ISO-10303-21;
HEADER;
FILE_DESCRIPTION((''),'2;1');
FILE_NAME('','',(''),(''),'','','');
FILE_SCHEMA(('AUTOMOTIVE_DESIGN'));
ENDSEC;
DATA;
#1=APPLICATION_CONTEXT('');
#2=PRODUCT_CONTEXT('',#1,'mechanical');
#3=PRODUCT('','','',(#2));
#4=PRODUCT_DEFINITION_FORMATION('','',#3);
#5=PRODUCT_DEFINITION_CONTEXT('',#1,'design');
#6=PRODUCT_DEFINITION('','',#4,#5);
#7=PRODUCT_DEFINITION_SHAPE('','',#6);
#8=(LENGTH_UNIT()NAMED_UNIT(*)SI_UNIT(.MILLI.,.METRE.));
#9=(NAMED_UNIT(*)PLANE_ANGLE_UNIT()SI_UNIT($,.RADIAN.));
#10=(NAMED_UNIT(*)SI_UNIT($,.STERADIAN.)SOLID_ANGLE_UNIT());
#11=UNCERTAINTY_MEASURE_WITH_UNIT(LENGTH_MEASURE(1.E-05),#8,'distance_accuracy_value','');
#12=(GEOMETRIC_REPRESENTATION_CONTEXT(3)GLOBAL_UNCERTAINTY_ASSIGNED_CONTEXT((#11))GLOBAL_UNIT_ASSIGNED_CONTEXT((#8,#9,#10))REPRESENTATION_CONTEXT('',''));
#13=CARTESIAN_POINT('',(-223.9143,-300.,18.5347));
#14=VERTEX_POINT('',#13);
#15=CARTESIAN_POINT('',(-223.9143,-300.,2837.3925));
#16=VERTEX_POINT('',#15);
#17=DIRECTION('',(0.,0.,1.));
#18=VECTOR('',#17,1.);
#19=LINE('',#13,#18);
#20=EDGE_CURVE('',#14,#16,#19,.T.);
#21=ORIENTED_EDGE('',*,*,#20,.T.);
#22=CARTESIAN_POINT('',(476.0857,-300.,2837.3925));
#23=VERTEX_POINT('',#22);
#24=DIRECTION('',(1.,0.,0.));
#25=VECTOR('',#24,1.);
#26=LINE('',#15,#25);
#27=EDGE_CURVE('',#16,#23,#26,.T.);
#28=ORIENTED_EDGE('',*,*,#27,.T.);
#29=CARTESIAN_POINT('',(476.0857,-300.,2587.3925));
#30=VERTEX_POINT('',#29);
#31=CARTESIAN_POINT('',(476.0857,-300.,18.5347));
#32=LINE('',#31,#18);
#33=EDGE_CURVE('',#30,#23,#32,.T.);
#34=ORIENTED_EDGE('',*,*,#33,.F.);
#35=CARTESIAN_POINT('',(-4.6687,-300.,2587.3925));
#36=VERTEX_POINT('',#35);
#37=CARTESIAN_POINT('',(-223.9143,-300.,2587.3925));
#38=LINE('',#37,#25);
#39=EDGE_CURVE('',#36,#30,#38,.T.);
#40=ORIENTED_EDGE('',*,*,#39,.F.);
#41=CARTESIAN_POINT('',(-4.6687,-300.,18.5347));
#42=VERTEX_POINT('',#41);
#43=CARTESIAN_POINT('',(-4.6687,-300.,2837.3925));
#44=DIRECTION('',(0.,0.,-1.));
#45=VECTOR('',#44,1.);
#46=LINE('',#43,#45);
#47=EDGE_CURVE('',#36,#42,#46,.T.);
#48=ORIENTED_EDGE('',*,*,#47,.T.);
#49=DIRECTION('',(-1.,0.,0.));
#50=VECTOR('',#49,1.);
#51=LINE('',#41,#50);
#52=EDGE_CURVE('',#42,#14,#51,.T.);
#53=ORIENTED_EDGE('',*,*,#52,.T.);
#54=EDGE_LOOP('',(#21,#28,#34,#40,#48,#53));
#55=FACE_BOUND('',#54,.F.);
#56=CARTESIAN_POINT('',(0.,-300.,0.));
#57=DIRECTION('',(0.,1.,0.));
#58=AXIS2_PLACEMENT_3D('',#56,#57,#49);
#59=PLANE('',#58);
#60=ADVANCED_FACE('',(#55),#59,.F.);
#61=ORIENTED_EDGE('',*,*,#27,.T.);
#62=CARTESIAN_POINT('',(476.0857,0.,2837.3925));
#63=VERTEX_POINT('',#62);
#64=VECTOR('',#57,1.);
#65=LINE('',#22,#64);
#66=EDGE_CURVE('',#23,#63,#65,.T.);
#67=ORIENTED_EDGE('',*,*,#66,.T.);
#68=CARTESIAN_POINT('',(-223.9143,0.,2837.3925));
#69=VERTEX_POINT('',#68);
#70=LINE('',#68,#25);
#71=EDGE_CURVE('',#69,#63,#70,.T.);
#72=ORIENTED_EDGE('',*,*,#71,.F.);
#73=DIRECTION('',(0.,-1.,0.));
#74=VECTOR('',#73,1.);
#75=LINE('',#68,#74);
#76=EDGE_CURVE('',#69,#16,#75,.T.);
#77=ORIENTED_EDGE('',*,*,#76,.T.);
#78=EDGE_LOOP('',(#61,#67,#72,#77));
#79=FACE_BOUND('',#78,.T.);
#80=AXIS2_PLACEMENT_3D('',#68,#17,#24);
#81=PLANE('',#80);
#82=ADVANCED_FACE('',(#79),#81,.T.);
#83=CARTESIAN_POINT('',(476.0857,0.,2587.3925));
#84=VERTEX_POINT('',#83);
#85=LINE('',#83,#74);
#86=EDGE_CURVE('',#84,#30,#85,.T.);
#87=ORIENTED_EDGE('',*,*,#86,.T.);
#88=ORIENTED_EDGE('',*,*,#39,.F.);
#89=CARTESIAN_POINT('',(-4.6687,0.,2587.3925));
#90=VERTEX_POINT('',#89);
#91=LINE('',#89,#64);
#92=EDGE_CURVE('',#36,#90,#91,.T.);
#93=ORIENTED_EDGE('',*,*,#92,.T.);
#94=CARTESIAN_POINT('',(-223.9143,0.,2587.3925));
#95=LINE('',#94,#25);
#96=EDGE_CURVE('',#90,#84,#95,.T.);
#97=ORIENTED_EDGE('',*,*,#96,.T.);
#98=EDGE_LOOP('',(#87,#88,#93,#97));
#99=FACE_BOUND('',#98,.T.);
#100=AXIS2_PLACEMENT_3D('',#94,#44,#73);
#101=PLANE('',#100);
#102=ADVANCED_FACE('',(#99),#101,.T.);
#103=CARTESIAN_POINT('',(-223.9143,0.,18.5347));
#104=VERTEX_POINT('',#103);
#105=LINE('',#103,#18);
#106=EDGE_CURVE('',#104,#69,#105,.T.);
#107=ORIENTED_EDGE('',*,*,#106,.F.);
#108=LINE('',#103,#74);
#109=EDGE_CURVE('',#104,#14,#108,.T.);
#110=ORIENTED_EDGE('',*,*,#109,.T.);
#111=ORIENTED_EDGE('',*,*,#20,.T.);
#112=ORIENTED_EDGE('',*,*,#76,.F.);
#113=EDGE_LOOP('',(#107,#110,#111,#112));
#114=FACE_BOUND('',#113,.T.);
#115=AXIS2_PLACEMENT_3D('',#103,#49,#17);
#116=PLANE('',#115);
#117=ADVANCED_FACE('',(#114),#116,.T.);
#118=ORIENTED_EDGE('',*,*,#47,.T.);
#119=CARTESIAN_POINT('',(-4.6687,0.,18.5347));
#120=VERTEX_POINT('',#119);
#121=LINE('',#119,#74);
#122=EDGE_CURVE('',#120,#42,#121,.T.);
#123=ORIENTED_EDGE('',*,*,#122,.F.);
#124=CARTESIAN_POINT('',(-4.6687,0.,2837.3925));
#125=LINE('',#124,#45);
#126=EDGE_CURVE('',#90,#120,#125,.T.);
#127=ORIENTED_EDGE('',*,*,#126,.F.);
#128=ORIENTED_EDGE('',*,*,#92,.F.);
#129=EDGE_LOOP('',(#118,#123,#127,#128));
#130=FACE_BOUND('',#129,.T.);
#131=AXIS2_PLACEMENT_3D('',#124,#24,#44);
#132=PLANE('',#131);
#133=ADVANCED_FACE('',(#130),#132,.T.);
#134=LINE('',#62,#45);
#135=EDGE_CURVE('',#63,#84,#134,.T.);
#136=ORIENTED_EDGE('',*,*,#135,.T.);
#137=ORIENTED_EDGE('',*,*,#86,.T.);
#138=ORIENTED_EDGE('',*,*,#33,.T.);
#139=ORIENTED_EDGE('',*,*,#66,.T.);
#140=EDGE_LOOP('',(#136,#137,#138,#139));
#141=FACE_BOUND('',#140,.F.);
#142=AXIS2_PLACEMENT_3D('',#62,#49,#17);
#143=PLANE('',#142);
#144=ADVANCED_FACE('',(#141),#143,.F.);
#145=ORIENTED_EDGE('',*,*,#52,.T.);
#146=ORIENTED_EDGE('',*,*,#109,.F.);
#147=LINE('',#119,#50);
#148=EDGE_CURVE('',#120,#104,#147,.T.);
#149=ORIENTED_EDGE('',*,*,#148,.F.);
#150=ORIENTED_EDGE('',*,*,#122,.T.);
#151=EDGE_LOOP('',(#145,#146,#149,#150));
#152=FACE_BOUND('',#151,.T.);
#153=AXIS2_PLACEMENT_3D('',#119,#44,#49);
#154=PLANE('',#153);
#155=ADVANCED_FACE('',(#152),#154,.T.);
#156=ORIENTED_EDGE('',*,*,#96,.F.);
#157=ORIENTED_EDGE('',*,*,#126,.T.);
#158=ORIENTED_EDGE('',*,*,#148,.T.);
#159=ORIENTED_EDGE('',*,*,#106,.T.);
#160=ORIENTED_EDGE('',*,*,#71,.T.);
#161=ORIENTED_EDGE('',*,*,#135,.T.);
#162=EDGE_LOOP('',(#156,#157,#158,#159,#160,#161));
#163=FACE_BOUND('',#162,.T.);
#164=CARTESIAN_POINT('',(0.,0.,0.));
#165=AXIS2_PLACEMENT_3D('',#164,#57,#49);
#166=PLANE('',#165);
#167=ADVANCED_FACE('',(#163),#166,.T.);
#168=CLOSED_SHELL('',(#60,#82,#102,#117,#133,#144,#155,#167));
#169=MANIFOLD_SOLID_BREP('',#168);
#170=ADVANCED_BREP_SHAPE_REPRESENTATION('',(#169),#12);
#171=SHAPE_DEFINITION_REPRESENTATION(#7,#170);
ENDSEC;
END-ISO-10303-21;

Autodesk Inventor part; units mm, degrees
ref_plane "YZ Plane" through (0, 0, 0) normal (1, 0, 0) x (0, 1, 0)
ref_plane "XZ Plane" through (0, 0, 0) normal (0, 1, 0) x (-1, 0, 0)
ref_plane "XY Plane" through (0, 0, 0) normal (0, 0, 1) x (1, 0, 0)
sketch "Sketch1" plane through (0, 0, 0) normal (0, 1, 0) x (-1, 0, 0)
  line L0 (4.6687, 18.5347) -> (223.9143, 18.5347)
  line L1 (223.9143, 18.5347) -> (223.9143, 2837.3925)
  line L2 (223.9143, 2837.3925) -> (4.6687, 2837.3925)
  line L3 (4.6687, 2837.3925) -> (4.6687, 18.5347)
  point P0 (0, 0)
extrude "Extrusion1" add sketch "Sketch1" against normal blind 300
sketch "Sketch2" plane through (-223.9143, 0, 18.5347) normal (-1, 0, 0) x (0, 0, -1)
  line L0 (-2818.8578, 0) -> (0, 0) projected
  line L1 (0, 300) -> (-2818.8578, 300) projected
  line L2 (0, 0) -> (250, 0)
  line L3 (250, 0) -> (250, 300)
  line L4 (250, 300) -> (0, 300)
  line L5 (0, 300) -> (0, 0)
  point P0 (18.5347, 0)
  point P1 (0, 300)
  dimension "d2" = 250
extrude "Extrusion2" [suppressed]
sketch "Sketch3" plane through (-223.9143, 0, 2837.3925) normal (-1, 0, 0) x (0, 0, 1)
  line L0 (0, 0) -> (-2818.8578, 0) projected
  line L1 (-2818.8578, -300) -> (0, -300) projected
  line L2 (0, 0) -> (-250, 0)
  line L3 (-250, 0) -> (-250, -300)
  line L4 (-250, -300) -> (0, -300)
  line L5 (0, -300) -> (0, 0)
  point P0 (-2837.3925, 0)
  point P1 (0, -300)
  dimension "d5" = 250
extrude "Extrusion3" add sketch "Sketch3" against normal blind 700
sketch "Sketch4" plane through (476.0857, 0, 2837.3925) normal (1, 0, 0) x (0, 0, 1)
  point P0 (-2837.3925, 0)
properties part number "StressAnalysis" material "Balsa Wood"
